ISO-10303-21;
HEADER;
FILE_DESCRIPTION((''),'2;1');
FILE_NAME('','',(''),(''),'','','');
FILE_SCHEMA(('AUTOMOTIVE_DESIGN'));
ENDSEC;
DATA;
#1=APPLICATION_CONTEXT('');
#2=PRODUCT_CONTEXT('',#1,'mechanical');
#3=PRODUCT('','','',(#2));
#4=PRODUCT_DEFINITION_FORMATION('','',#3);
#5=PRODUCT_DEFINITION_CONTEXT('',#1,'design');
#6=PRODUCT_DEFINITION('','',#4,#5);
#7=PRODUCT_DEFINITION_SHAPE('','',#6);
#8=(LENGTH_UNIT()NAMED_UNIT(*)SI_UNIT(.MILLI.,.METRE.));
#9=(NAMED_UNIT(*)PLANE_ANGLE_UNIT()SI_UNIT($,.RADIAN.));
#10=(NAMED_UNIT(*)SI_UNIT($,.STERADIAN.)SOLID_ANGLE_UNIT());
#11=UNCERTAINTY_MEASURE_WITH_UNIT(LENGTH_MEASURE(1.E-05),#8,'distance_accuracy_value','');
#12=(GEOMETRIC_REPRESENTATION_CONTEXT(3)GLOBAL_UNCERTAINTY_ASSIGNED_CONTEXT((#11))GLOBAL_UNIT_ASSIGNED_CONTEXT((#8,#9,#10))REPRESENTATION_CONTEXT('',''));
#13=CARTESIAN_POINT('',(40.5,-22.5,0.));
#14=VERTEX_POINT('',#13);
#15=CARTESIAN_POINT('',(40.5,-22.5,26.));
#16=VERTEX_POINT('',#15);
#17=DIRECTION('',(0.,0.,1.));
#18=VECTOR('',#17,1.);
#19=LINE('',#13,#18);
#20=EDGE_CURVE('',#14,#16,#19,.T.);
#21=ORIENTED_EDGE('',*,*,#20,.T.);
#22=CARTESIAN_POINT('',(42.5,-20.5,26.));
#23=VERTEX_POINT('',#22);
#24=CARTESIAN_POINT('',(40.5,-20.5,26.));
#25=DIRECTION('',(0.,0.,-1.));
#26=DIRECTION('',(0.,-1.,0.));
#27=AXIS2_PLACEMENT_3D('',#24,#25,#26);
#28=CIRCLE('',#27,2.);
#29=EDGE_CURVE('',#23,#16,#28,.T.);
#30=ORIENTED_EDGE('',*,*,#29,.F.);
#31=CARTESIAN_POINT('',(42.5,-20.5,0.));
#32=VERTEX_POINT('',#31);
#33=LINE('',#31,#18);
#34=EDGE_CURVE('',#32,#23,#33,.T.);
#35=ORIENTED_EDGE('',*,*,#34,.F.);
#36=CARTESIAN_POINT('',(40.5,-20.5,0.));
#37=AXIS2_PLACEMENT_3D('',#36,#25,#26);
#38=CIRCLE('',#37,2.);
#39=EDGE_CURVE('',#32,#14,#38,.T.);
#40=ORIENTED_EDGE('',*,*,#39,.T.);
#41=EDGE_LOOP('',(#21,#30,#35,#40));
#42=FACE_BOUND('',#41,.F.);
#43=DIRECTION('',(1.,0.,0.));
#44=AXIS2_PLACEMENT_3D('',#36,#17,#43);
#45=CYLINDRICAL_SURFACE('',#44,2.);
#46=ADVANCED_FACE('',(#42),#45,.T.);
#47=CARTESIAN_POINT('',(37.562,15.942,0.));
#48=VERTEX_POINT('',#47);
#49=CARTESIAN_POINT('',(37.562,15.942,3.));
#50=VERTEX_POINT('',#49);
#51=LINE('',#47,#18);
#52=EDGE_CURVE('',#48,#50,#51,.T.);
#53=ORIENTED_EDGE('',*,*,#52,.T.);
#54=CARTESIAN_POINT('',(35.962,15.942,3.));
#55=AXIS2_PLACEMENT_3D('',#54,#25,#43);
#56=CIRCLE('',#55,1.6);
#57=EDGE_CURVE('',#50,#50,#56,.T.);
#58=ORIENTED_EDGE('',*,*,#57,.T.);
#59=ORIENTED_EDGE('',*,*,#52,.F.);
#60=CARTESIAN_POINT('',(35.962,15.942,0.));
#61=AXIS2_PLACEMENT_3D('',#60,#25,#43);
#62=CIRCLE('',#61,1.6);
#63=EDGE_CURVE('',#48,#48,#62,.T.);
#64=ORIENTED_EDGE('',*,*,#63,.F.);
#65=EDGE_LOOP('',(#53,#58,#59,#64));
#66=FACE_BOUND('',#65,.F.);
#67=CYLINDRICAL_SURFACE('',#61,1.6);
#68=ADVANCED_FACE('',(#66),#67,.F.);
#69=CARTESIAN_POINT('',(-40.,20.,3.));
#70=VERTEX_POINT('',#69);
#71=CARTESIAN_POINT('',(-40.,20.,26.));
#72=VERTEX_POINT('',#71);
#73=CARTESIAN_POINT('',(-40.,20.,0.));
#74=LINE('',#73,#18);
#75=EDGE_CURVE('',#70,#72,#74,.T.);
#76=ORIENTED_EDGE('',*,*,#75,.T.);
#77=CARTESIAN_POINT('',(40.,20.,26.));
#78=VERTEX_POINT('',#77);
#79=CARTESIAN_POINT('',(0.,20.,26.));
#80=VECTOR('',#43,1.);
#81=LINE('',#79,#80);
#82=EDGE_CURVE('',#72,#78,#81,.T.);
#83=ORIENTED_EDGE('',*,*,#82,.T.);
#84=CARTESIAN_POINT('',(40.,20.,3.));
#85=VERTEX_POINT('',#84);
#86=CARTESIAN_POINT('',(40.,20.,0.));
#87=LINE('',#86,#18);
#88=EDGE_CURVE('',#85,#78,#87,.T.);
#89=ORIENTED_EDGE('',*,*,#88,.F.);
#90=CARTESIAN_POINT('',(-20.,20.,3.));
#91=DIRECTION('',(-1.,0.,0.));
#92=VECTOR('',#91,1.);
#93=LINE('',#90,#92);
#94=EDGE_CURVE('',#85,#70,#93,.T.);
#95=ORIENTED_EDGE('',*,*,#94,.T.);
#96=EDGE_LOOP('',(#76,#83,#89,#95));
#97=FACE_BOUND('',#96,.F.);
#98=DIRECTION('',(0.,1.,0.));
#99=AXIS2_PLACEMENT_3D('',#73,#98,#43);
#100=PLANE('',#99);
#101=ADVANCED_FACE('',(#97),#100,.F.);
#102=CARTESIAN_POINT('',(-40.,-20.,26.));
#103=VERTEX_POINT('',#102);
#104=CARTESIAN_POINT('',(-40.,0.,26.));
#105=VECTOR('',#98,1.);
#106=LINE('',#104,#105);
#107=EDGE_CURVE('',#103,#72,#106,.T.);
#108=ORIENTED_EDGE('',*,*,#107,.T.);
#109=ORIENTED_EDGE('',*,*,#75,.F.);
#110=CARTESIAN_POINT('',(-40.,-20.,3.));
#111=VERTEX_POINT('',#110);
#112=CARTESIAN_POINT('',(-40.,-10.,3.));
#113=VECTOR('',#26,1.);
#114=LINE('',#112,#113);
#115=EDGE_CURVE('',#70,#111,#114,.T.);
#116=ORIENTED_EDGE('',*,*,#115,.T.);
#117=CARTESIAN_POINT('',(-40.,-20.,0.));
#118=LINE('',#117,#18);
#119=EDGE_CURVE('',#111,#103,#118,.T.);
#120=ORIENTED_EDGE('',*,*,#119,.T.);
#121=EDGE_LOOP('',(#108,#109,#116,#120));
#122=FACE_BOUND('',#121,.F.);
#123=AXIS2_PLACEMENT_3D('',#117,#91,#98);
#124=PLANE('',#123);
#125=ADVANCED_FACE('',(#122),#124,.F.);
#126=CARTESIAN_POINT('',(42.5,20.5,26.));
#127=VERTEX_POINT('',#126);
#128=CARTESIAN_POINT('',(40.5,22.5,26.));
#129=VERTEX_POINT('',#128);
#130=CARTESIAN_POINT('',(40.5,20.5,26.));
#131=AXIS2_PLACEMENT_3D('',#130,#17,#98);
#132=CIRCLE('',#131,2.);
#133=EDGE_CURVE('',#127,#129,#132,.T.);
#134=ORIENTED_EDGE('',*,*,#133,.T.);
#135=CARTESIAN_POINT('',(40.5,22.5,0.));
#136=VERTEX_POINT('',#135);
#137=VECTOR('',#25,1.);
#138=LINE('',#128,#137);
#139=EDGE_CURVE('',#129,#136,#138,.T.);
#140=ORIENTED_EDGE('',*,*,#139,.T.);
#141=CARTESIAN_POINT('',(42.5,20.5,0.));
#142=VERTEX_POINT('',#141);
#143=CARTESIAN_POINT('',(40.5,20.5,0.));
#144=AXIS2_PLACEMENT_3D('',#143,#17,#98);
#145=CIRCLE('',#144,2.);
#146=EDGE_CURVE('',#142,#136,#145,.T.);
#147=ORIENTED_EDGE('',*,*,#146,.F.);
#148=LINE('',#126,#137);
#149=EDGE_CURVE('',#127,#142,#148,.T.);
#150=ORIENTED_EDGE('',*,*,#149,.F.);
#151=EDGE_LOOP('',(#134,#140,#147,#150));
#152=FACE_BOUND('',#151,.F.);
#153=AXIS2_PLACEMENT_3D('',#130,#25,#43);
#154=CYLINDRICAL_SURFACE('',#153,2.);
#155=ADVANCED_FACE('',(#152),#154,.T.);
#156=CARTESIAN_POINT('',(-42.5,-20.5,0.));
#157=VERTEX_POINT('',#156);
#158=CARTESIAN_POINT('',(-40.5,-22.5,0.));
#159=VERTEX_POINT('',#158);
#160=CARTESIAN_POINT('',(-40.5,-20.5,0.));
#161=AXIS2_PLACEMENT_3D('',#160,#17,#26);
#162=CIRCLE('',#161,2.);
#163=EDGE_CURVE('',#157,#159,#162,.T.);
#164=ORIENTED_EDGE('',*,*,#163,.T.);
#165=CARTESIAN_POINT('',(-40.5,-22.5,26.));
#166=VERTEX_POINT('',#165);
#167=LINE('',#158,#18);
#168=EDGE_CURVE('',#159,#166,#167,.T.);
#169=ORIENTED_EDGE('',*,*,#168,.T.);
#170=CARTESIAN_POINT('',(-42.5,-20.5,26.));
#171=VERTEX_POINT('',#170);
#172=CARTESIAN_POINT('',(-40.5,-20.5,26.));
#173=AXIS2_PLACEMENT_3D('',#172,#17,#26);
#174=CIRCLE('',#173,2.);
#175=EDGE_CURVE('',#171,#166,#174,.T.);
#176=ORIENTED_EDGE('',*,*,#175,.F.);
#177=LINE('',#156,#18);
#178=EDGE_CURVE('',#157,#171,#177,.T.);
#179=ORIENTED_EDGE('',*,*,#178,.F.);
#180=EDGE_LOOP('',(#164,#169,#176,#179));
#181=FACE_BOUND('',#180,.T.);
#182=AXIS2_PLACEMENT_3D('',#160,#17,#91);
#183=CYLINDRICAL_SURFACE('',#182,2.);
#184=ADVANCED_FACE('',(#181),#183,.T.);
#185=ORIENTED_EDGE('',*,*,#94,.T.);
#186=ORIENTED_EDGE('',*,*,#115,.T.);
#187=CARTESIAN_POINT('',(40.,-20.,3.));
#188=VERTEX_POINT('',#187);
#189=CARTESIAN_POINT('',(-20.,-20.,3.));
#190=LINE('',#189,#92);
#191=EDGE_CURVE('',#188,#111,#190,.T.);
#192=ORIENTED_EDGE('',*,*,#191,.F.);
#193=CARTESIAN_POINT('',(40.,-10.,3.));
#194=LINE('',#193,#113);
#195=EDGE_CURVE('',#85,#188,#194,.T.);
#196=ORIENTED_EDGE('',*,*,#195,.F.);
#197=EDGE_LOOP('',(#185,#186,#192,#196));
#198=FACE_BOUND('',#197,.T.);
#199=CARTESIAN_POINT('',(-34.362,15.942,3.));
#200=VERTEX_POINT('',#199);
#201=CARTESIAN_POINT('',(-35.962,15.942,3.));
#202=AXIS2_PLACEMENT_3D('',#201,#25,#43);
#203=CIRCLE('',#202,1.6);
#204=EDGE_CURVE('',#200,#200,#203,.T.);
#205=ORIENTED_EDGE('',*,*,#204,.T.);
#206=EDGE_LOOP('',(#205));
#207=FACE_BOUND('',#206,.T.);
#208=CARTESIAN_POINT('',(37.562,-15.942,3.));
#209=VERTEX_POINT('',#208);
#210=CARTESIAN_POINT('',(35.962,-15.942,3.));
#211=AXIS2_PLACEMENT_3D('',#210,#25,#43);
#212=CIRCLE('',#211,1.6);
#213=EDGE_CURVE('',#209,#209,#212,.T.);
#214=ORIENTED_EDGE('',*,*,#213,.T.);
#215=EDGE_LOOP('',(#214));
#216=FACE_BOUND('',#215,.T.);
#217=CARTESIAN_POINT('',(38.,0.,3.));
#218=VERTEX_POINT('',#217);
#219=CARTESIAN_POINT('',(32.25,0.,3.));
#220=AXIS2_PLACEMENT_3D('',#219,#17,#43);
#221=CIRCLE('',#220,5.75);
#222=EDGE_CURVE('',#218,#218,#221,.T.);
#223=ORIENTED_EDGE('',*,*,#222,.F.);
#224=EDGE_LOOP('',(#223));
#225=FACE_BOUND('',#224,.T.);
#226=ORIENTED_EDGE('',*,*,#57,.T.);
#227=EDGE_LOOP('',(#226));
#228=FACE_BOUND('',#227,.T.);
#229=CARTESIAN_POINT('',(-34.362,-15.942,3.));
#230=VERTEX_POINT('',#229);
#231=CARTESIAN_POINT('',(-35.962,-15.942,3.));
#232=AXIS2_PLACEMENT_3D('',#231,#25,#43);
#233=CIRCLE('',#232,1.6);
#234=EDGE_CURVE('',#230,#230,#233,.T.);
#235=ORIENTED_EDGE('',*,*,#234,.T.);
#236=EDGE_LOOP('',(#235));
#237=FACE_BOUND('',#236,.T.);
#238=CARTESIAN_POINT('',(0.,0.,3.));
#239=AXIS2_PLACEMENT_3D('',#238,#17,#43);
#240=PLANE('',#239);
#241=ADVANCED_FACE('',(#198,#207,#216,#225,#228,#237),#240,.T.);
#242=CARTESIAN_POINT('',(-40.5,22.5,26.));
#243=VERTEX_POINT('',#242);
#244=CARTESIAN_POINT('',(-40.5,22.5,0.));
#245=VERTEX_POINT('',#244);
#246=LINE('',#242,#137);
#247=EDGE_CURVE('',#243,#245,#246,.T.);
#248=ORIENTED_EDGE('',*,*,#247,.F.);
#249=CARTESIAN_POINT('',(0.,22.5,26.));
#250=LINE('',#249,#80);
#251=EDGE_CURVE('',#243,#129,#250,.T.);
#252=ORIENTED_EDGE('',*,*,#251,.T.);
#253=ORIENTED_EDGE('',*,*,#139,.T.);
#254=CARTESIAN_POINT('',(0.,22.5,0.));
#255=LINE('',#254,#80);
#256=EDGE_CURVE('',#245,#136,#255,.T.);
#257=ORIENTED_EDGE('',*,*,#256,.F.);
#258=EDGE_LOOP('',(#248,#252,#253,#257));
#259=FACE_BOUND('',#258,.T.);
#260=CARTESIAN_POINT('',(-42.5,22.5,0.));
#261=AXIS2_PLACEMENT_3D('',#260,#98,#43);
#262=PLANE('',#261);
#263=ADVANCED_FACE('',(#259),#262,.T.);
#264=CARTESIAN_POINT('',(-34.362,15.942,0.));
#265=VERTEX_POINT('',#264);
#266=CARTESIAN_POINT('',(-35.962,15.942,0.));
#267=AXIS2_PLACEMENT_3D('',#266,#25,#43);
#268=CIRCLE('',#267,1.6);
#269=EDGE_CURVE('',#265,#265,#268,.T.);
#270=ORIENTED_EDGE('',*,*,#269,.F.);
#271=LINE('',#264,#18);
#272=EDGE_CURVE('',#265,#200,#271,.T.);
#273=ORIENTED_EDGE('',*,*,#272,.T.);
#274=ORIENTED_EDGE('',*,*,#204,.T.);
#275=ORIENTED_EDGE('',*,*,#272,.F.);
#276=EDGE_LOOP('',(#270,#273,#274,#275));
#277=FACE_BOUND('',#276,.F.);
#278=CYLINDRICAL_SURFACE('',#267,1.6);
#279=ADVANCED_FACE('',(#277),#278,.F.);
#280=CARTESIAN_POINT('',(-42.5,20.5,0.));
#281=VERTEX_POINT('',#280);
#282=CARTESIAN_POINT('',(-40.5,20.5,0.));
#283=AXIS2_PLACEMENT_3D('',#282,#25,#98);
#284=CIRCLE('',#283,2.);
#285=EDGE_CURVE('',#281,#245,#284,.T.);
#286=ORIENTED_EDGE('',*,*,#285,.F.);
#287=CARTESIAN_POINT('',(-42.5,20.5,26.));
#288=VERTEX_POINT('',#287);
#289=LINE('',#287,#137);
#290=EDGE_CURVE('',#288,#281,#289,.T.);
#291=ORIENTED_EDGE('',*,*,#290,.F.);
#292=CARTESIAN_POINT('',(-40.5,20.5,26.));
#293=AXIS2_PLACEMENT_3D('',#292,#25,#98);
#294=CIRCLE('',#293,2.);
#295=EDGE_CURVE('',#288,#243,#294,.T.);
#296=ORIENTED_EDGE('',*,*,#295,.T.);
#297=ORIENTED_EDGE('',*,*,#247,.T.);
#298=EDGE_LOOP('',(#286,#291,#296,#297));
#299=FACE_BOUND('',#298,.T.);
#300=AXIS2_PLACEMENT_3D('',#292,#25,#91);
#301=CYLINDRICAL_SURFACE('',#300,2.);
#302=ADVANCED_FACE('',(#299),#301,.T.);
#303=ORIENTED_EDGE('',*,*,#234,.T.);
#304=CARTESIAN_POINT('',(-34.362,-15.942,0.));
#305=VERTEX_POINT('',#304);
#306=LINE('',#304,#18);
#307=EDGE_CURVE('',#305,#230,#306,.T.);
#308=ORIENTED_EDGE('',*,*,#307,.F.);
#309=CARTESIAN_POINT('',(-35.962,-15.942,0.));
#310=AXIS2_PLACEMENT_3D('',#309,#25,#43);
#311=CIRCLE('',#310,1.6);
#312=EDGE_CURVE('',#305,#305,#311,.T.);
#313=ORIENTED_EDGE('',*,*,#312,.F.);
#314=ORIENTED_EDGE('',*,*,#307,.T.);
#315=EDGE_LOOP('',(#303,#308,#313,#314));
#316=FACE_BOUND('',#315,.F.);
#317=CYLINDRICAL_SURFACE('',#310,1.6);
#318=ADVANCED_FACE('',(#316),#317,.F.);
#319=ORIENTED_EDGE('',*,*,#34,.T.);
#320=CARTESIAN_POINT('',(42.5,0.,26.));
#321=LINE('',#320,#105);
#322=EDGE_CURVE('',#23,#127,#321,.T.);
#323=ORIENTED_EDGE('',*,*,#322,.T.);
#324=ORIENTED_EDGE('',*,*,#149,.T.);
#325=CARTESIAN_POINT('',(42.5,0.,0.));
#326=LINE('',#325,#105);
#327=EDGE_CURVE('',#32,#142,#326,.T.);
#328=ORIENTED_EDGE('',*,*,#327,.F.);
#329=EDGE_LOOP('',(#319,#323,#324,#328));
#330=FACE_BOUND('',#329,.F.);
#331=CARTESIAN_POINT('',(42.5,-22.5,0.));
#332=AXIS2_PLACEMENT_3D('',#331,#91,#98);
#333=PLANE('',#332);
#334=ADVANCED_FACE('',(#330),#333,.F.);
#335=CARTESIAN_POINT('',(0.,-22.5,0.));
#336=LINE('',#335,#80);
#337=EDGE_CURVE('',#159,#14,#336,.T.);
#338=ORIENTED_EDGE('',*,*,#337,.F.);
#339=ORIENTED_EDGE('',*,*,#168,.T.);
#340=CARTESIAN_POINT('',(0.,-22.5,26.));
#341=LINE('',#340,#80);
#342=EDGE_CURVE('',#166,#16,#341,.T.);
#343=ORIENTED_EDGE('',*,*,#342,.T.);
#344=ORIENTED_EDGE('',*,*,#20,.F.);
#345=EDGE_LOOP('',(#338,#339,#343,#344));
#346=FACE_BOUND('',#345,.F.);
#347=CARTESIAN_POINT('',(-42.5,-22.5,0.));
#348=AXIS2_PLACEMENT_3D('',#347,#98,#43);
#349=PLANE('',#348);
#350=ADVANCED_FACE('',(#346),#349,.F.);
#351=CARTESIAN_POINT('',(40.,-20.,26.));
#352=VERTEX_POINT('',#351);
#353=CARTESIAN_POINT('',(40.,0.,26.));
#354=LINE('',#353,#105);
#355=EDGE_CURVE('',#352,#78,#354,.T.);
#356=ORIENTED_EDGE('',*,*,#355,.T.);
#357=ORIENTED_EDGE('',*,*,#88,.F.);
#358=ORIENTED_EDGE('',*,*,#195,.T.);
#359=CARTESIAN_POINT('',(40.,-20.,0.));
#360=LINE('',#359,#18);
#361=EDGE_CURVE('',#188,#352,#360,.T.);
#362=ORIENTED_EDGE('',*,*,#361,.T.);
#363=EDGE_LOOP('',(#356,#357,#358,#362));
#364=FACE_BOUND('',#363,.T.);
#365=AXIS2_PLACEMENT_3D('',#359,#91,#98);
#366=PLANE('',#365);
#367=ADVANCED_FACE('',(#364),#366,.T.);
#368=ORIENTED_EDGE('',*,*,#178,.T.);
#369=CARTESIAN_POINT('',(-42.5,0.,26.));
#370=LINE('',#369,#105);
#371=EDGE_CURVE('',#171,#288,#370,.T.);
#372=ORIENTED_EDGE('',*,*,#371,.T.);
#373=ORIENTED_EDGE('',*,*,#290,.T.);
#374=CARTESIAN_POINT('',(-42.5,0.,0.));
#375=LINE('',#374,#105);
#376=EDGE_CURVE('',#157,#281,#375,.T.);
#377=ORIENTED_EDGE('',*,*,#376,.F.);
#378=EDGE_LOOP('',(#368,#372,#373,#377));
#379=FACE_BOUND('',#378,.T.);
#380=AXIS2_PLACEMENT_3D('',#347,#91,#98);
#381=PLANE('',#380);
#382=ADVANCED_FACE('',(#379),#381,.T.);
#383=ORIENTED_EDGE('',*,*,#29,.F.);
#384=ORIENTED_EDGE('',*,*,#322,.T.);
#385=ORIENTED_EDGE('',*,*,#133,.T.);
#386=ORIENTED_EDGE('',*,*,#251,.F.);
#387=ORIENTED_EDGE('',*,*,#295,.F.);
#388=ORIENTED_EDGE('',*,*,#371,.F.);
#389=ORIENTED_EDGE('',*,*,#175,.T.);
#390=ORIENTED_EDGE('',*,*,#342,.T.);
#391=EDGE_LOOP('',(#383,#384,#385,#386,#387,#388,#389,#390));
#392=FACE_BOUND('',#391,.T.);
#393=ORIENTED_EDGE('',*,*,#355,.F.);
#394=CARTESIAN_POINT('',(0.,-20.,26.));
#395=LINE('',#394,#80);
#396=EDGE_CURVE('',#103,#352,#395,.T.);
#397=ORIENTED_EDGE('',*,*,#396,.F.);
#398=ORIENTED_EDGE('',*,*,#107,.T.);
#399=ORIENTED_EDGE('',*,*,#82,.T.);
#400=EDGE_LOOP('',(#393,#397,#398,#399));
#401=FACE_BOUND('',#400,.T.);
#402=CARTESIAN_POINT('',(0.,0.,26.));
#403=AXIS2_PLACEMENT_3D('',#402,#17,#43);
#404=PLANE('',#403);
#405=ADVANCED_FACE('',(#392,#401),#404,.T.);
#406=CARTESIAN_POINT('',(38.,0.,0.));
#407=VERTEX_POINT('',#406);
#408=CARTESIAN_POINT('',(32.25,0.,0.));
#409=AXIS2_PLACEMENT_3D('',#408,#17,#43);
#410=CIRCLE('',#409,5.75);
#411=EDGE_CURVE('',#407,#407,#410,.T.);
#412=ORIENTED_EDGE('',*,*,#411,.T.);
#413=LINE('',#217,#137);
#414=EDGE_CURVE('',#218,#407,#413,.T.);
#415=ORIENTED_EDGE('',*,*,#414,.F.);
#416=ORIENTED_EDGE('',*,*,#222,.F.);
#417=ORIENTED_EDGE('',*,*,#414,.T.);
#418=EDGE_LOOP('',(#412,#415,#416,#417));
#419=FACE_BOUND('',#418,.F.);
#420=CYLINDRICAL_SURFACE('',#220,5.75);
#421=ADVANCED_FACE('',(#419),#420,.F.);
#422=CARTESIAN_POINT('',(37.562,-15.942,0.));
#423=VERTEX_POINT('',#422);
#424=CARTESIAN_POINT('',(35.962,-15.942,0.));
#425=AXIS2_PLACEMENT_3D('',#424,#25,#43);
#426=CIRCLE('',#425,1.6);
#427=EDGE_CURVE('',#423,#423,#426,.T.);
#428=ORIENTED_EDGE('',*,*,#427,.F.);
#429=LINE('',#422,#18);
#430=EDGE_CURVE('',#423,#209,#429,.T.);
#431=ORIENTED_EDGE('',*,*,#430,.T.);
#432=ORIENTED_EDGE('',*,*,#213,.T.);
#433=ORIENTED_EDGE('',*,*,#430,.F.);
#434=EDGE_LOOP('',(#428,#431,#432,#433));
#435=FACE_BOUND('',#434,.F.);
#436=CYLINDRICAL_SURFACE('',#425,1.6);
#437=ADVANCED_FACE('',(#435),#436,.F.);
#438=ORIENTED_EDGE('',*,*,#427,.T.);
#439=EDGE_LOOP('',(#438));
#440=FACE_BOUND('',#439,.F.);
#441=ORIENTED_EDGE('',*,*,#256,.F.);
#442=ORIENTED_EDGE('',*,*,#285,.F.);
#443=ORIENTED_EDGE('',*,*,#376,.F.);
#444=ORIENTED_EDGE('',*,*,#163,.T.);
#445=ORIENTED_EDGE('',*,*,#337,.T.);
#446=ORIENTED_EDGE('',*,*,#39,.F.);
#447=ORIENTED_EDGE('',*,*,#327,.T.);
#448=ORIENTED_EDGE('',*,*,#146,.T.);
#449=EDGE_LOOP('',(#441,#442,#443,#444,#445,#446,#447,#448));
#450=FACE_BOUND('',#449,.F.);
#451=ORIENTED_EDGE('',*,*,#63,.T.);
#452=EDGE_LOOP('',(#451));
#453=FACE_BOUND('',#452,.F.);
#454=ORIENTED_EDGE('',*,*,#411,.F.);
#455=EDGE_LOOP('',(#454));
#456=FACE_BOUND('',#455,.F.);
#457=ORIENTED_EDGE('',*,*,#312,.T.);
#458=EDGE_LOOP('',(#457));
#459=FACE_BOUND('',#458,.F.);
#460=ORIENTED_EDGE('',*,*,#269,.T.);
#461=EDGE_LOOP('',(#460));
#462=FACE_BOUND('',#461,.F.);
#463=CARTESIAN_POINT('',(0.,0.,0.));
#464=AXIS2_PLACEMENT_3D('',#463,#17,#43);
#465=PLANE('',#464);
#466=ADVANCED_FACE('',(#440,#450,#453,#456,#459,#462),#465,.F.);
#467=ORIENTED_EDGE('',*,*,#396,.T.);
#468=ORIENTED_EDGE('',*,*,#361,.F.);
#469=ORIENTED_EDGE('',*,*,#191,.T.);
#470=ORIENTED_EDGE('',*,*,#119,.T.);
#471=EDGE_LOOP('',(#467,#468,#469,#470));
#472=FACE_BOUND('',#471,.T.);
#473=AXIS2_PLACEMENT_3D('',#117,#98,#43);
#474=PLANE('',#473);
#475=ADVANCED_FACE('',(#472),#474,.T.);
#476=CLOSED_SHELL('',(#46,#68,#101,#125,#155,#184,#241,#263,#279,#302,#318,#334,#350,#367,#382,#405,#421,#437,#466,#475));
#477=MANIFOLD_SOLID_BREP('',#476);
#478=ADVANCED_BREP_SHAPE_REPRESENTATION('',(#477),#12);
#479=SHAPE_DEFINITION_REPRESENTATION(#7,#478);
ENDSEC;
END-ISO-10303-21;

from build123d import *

# Parameters (mm, degrees)
F0_W     = 85
F0_H     = 45
F0_W_2   = 80
F0_H_2   = 40
F1_DEPTH = 3
F2_DEPTH = 26
F3_R     = 2
F4_R     = 5.75
F5_DEPTH = 3
F6_R     = 1.6
F7_DEPTH = 25


with BuildPart() as f1:
    # F0 (on Top) → F1 (new body)
    with BuildSketch(Plane.XY):
        Rectangle(F0_W, F0_H)
        Rectangle(F0_W_2, F0_H_2, mode=Mode.SUBTRACT)
        Rectangle(F0_W_2, F0_H_2)
    extrude(amount=F1_DEPTH)

    # F0 (on Top) → F2 (join)
    with BuildSketch(Plane.XY):
        Rectangle(F0_W, F0_H)
        Rectangle(F0_W_2, F0_H_2, mode=Mode.SUBTRACT)
    extrude(amount=F2_DEPTH)

    # F3
    f3_edges = [f1.edges().sort_by_distance(p)[0] for p in [
        (-42.5, -22.5, 13),
        (42.5, -22.5, 13),
        (-42.5, 22.5, 13),
        (42.5, 22.5, 13),
    ]]
    fillet(f3_edges, radius=F3_R)

    # F4 (on face) → F5 (cut, through all)
    with BuildSketch(Plane.XY.offset(3)):
        with Locations((32.25, 0)):
            Circle(F4_R)
    extrude(amount=-F5_DEPTH, mode=Mode.SUBTRACT)

    # F6 (on face) → F7 (cut)
    with BuildSketch(Plane(origin=(0, 0, 0), x_dir=(1, 0, 0), z_dir=(0, 0, -1))):
        with Locations((-35.962, -15.942)):
            Circle(F6_R)
        with Locations((-35.962, 15.942)):
            Circle(F6_R)
        with Locations((35.962, 15.942)):
            Circle(F6_R)
        with Locations((35.962, -15.942)):
            Circle(F6_R)
    extrude(amount=-F7_DEPTH, mode=Mode.SUBTRACT)


solid = f1.part
